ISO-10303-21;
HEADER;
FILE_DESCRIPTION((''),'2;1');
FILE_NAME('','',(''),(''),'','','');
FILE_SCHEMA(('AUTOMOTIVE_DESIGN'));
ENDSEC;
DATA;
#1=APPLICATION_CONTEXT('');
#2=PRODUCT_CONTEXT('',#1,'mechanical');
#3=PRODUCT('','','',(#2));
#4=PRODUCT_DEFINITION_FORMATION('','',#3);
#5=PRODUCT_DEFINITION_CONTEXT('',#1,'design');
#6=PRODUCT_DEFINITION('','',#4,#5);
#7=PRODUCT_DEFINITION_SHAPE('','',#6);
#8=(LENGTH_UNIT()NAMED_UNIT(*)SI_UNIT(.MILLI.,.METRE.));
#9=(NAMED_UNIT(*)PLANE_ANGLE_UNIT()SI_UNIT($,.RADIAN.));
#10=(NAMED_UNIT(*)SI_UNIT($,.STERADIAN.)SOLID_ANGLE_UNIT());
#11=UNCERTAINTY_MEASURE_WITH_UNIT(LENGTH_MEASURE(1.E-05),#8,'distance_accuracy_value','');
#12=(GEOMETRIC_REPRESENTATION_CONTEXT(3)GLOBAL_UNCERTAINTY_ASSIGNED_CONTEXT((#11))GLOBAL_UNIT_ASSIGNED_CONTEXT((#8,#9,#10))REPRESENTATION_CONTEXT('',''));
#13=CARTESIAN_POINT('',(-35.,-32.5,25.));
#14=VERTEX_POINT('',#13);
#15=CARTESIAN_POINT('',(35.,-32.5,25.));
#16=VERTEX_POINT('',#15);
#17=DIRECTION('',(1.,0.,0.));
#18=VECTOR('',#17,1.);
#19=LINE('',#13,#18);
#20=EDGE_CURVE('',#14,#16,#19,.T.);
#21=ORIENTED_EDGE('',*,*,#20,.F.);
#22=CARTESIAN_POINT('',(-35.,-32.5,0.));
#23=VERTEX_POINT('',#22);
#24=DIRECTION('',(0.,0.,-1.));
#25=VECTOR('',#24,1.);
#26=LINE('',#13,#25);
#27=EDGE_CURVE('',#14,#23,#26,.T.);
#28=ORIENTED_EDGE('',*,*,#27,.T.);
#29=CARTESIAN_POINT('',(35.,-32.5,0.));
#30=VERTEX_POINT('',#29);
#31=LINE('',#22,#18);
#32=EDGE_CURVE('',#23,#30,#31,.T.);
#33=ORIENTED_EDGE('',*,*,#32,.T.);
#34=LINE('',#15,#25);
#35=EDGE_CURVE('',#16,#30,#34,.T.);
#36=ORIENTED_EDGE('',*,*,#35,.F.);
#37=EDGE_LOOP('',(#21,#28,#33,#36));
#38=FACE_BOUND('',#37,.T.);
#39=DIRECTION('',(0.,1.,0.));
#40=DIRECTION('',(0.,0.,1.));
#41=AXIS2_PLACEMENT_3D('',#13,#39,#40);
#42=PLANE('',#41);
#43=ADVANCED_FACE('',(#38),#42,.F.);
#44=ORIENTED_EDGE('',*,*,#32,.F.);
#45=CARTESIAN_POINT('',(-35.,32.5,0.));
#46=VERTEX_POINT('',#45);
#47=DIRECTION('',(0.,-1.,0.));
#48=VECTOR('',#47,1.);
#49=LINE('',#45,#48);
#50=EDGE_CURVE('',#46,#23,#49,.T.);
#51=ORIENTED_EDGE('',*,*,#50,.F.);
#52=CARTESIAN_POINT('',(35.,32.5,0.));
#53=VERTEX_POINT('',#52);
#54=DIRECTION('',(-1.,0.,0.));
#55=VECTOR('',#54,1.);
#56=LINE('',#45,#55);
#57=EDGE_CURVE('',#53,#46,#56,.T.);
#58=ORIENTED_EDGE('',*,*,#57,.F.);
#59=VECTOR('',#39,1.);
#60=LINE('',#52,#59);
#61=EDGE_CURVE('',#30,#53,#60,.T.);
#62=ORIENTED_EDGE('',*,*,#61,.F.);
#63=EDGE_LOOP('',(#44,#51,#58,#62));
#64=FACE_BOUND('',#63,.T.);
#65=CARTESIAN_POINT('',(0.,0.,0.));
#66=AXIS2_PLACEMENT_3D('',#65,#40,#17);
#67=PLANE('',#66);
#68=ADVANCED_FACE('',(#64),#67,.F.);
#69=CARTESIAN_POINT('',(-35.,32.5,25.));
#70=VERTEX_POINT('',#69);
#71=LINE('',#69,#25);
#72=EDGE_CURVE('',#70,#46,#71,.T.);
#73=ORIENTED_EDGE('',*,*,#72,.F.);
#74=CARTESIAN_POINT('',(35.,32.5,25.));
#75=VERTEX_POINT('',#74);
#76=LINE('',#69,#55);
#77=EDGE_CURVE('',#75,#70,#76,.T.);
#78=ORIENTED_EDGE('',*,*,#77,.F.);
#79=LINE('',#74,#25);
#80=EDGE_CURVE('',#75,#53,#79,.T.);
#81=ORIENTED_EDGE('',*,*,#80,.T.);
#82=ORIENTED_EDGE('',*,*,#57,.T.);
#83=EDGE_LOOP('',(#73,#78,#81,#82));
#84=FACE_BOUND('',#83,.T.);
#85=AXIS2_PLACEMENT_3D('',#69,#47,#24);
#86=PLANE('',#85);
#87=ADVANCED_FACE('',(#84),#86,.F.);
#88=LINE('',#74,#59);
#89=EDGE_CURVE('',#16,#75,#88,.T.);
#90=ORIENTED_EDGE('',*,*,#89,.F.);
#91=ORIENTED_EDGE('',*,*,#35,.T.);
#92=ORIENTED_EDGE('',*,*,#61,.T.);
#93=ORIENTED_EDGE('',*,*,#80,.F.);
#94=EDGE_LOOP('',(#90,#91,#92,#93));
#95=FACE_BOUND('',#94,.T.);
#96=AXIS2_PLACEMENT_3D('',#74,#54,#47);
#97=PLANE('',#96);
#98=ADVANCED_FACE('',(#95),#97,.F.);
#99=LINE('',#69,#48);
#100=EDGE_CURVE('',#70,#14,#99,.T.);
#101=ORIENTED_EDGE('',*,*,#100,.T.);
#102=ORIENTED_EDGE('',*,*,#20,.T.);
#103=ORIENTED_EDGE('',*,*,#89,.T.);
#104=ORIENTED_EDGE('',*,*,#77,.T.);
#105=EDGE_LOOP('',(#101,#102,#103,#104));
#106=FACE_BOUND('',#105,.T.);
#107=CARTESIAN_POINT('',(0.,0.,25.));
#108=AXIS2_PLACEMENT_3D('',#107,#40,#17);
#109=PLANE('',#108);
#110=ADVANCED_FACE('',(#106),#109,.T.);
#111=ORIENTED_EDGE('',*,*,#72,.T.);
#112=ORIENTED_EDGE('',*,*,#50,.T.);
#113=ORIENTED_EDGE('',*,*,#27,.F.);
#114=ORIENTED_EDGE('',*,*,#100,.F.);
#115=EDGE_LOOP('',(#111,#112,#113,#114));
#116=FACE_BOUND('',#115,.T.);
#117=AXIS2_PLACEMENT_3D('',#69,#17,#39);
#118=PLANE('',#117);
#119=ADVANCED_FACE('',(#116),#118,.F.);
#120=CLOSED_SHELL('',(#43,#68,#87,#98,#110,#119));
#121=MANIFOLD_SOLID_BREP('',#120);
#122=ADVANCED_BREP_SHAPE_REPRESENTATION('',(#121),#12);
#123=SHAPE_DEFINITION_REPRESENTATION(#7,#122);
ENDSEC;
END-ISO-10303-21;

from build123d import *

# Parameters (mm, degrees)
SKETCH_1_W      = 70
SKETCH_1_H      = 65
EXTRUDE_1_DEPTH = 25


with BuildPart() as part:
    # 草图1 → 凸台-拉伸1 (new body)
    with BuildSketch(Plane.XY):
        Rectangle(SKETCH_1_W, SKETCH_1_H)
    extrude(amount=EXTRUDE_1_DEPTH)


solid = part.part
